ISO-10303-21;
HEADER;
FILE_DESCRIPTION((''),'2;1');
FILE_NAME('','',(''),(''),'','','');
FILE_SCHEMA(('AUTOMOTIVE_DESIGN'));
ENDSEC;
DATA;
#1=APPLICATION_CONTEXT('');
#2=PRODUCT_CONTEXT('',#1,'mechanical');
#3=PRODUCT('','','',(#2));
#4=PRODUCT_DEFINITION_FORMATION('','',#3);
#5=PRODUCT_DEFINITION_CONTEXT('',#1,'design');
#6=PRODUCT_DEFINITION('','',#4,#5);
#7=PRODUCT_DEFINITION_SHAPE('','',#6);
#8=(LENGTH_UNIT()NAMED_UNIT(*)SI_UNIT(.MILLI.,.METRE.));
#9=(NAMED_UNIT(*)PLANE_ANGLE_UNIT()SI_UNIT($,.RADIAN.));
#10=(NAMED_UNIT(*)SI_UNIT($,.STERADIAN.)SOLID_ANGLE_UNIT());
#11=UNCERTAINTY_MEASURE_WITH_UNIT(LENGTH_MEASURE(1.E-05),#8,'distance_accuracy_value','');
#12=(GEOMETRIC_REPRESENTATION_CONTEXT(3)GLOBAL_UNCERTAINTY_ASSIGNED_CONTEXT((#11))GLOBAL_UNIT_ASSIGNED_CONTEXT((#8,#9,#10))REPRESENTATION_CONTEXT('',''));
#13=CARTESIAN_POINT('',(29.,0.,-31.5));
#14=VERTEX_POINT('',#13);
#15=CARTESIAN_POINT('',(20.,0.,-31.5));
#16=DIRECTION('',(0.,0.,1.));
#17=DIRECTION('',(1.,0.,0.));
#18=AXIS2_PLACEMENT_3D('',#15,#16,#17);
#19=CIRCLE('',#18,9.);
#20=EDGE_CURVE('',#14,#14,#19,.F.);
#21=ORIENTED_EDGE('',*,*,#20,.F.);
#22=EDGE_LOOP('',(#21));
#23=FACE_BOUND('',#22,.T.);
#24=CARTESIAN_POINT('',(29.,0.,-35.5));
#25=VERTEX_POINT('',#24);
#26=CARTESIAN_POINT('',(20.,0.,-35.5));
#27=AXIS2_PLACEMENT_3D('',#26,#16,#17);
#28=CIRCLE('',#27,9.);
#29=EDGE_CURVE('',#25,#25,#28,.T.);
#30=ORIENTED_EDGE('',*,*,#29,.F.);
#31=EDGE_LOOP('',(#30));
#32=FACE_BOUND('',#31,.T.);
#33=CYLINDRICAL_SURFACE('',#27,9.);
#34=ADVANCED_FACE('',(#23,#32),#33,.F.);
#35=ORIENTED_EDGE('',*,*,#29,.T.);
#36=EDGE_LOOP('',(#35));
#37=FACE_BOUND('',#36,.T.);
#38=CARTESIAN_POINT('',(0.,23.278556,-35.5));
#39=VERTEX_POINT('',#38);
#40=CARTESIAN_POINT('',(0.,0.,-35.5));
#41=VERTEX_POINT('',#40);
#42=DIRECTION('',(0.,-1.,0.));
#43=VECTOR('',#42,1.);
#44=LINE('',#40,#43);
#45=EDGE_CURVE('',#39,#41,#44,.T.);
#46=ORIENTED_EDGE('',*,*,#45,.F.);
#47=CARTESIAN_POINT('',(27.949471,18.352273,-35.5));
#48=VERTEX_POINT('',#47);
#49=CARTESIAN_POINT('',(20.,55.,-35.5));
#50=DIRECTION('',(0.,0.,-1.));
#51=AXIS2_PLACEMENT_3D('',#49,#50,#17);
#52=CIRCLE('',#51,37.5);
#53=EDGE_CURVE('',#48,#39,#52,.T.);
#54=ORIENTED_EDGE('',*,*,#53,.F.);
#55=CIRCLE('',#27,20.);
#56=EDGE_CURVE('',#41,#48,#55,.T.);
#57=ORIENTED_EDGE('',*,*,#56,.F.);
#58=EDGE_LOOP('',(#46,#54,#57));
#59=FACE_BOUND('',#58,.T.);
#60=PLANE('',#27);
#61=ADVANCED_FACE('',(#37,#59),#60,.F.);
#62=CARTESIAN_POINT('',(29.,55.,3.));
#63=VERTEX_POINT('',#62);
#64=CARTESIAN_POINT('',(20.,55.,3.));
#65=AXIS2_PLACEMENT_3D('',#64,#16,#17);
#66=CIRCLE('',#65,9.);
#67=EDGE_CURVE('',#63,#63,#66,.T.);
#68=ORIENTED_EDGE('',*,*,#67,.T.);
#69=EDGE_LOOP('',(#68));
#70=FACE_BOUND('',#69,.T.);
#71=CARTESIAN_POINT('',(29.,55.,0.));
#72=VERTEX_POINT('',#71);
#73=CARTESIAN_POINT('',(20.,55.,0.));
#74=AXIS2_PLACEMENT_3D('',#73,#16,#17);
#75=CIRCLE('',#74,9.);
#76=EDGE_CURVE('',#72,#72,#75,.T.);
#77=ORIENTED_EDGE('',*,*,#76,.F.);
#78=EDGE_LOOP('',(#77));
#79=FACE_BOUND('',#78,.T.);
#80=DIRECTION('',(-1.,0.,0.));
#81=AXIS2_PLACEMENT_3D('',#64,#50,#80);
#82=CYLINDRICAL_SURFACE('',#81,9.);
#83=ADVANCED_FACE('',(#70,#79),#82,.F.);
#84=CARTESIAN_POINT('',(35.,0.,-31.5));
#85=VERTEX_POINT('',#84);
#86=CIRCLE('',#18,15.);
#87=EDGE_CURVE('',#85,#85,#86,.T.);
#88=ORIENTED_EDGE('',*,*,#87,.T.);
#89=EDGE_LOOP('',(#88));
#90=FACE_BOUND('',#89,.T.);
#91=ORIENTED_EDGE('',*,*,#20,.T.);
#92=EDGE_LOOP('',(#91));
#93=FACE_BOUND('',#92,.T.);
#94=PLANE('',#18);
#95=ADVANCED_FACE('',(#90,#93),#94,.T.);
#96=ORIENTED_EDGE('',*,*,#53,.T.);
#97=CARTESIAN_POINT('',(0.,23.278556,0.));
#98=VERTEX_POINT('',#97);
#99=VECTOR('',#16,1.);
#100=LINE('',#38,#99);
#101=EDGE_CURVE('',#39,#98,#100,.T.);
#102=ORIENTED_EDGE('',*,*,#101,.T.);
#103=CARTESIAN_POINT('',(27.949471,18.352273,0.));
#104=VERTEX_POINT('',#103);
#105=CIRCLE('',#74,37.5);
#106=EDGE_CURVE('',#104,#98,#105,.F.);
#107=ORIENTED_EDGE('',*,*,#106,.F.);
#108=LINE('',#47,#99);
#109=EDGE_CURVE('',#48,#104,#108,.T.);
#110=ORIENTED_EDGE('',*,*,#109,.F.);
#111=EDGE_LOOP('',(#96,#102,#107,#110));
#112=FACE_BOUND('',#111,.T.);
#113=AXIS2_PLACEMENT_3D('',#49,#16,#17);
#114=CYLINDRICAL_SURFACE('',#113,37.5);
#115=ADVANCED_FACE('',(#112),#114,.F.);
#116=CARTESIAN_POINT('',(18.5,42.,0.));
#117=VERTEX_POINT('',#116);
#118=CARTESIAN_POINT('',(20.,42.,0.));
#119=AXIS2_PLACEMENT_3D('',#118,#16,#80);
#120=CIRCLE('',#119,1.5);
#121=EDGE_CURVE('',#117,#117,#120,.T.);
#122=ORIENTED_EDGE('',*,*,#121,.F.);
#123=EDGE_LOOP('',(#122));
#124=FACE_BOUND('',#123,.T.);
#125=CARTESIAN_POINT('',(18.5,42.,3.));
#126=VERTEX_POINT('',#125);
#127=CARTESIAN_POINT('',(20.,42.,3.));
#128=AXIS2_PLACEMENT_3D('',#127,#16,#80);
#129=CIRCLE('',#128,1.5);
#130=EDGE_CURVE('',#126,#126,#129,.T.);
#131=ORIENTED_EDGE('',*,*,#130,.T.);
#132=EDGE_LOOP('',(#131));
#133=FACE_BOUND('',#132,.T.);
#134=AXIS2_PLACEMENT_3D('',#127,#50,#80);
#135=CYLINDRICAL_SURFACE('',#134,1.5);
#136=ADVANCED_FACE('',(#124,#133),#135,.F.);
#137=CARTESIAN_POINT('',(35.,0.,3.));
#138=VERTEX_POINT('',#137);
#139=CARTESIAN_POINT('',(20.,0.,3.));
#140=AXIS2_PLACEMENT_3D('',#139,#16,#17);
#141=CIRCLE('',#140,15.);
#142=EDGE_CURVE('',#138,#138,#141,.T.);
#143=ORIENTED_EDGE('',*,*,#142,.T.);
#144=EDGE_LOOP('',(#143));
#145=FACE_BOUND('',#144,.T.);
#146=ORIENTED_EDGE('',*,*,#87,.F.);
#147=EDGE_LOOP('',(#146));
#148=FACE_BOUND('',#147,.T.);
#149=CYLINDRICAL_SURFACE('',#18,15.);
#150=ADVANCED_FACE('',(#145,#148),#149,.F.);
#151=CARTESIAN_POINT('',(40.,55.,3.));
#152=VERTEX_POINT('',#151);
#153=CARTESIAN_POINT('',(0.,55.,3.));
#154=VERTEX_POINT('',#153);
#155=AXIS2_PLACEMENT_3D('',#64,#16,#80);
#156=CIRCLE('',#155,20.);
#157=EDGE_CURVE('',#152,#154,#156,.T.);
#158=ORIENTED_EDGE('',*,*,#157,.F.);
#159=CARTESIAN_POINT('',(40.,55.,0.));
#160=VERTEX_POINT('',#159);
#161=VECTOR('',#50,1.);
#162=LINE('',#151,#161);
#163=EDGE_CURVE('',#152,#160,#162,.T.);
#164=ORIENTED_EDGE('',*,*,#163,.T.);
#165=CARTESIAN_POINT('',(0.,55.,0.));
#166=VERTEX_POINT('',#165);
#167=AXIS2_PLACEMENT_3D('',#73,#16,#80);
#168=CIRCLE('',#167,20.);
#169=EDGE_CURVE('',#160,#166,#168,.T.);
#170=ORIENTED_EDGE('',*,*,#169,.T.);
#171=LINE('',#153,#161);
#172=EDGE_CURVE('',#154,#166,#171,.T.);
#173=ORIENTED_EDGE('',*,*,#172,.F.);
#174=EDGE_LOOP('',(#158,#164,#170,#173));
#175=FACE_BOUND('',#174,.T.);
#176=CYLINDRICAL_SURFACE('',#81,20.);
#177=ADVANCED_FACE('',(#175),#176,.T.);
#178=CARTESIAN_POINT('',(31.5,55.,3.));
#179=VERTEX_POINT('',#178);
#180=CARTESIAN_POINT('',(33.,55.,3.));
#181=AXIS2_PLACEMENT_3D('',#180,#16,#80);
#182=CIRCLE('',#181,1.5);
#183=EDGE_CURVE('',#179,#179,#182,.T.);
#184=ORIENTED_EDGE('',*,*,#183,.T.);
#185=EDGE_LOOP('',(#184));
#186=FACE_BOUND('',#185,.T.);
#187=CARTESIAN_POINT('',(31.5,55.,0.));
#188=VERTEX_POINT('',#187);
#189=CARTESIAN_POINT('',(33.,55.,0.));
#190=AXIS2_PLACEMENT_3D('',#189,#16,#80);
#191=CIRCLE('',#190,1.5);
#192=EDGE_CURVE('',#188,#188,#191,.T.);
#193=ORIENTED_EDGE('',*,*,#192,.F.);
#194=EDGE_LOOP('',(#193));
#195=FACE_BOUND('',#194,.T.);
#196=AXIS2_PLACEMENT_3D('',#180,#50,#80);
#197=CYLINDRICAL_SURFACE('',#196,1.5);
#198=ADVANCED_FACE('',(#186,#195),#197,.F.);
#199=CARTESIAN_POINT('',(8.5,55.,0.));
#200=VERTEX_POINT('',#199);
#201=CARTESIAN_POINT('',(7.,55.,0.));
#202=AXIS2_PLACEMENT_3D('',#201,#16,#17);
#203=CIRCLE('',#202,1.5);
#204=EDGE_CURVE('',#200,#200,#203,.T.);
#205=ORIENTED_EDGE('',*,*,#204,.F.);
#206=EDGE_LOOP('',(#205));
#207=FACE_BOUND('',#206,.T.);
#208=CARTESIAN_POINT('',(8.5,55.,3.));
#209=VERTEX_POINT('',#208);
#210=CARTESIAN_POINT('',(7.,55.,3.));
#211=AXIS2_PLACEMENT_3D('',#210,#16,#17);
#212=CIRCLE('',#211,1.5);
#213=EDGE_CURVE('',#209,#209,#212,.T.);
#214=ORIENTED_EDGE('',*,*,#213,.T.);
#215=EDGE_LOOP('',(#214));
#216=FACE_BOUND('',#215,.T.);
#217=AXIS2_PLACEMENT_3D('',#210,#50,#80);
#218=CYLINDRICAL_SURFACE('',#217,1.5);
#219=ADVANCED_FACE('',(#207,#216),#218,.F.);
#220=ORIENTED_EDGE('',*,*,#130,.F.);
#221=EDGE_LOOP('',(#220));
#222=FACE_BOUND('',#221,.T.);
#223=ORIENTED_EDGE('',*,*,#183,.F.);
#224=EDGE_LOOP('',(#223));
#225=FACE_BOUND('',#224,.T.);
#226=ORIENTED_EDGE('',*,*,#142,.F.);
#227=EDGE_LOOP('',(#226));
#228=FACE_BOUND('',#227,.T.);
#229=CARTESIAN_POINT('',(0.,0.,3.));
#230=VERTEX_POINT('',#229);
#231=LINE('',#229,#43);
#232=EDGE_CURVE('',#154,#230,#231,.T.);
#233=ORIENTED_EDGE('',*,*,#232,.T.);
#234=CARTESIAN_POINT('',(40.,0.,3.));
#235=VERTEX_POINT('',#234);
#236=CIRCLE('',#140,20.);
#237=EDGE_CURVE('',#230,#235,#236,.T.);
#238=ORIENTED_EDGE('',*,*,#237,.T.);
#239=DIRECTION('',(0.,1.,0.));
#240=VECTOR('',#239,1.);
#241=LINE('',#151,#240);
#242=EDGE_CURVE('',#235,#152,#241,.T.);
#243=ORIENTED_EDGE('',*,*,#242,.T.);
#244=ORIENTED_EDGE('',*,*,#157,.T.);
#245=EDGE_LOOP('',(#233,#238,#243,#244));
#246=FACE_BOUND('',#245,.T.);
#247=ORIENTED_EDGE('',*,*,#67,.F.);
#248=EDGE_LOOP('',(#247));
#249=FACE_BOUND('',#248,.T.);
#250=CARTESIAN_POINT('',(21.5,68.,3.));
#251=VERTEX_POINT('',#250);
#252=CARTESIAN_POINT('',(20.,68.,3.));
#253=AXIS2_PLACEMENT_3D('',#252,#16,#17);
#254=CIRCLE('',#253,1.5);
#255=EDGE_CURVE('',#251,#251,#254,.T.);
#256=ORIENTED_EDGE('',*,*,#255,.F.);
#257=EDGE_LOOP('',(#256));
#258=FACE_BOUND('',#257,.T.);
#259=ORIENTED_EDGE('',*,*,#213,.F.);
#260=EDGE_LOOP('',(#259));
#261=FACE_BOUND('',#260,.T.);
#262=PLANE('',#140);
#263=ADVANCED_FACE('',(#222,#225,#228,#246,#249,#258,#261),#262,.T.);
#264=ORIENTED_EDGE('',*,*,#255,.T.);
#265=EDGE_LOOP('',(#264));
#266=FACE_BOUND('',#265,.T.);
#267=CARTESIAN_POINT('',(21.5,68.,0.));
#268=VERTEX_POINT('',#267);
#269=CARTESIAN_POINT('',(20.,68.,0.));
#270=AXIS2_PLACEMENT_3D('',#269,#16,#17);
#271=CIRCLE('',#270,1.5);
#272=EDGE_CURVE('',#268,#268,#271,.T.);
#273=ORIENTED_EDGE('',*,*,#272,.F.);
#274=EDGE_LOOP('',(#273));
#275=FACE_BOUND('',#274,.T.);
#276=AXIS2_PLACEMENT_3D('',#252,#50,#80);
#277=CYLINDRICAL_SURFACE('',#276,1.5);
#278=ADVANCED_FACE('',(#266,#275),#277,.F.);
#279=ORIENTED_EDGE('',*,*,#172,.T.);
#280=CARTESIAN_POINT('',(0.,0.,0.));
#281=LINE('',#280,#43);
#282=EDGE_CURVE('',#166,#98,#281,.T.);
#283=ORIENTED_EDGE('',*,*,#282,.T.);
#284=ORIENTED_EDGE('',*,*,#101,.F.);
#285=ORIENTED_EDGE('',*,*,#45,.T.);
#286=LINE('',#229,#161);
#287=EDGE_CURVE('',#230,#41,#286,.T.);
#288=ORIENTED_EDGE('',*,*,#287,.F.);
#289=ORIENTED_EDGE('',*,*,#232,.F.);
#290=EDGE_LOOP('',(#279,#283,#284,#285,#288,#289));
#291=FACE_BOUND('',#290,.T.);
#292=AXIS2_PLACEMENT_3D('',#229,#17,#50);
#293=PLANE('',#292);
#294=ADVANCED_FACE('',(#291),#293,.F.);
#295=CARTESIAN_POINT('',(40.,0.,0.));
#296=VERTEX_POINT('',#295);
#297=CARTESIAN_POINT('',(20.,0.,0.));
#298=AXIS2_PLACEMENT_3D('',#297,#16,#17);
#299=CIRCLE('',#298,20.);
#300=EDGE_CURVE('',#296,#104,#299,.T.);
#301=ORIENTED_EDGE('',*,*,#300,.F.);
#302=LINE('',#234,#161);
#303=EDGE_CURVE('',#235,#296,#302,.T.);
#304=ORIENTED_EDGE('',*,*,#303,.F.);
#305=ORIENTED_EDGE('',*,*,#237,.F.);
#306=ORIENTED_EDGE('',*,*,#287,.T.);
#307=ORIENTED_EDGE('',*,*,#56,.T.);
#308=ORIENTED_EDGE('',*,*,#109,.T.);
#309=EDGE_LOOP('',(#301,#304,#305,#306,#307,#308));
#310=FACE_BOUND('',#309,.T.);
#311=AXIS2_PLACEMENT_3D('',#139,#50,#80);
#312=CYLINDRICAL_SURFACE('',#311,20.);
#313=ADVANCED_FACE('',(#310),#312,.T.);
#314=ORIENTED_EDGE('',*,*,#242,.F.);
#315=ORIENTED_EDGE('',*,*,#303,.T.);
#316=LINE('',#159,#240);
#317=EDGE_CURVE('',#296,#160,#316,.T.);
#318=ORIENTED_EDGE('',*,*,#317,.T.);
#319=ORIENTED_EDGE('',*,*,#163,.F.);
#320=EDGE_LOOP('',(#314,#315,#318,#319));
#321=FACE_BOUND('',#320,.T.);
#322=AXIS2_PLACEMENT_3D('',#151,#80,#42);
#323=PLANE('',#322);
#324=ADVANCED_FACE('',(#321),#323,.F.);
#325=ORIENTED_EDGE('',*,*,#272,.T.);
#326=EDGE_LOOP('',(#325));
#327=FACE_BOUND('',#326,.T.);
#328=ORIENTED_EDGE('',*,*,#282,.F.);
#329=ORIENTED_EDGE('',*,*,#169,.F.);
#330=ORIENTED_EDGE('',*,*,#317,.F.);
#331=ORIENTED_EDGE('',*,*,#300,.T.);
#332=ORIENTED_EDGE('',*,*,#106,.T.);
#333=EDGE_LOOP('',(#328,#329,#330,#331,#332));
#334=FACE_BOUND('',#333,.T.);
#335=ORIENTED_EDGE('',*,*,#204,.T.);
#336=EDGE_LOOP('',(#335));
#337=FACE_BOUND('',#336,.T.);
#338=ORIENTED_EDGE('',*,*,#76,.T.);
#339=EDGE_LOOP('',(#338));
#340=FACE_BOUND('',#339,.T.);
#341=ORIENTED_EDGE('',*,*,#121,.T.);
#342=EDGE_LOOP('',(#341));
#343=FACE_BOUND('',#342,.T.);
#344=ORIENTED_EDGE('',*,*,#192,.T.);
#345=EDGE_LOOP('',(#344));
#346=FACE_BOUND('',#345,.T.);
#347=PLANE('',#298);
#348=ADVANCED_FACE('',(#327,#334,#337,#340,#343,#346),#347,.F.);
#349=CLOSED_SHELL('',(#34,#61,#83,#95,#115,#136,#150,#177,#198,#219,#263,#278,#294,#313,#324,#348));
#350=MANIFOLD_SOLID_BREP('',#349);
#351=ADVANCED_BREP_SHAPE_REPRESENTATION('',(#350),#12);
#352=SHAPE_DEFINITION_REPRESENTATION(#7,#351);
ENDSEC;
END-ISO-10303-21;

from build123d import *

# Parameters (mm, degrees)
ESQUISSE1_R      = 9
ESQUISSE1_R_2    = 15
ESQUISSE1_R_3    = 1.5
EXTRUSION1_DEPTH = 3
ESQUISSE2_R      = 9
EXTRUSION2_DEPTH = 38.5
ESQUISSE3_R      = 15
EXTRUSION3_DEPTH = 34.5


with BuildPart() as part:
    # Esquisse1 → Extrusion1 (new body)
    with BuildSketch(Plane.XY):
        with BuildLine():
            Line((0, 0), (0, 55))
            ThreePointArc((0, 55), (20, 75), (40, 55))
            Line((40, 55), (40, 0))
            ThreePointArc((40, 0), (20, -20), (0, 0))
        make_face()
        with Locations((20, 55)):
            Circle(ESQUISSE1_R, mode=Mode.SUBTRACT)
        with Locations((20, 0)):
            Circle(ESQUISSE1_R_2, mode=Mode.SUBTRACT)
        with Locations((20, 68)):
            Circle(ESQUISSE1_R_3, mode=Mode.SUBTRACT)
        with Locations((20, 42)):
            Circle(ESQUISSE1_R_3, mode=Mode.SUBTRACT)
        with Locations((7, 55)):
            Circle(ESQUISSE1_R_3, mode=Mode.SUBTRACT)
        with Locations((33, 55)):
            Circle(ESQUISSE1_R_3, mode=Mode.SUBTRACT)
    extrude(amount=EXTRUSION1_DEPTH)

    # Esquisse2 → Extrusion2 (add)
    with BuildSketch(Plane.XY.offset(3)):
        with BuildLine():
            Line((0, 0), (0, 23.278556149))
            ThreePointArc((0, 23.278556149), (13.490708127, 18.069265925), (27.949470784, 18.352272727))
            ThreePointArc((27.949470784, 18.352272727), (30.977490249, -16.718095222), (0, 0))
        make_face()
        with Locations((20, 0)):
            Circle(ESQUISSE2_R, mode=Mode.SUBTRACT)
    extrude(amount=-EXTRUSION2_DEPTH)

    # Esquisse3 → Extrusion3 (cut)
    with BuildSketch(Plane.XY.offset(3)):
        with Locations((20, 0)):
            Circle(ESQUISSE3_R)
    extrude(amount=-EXTRUSION3_DEPTH, mode=Mode.SUBTRACT)


solid = part.part
